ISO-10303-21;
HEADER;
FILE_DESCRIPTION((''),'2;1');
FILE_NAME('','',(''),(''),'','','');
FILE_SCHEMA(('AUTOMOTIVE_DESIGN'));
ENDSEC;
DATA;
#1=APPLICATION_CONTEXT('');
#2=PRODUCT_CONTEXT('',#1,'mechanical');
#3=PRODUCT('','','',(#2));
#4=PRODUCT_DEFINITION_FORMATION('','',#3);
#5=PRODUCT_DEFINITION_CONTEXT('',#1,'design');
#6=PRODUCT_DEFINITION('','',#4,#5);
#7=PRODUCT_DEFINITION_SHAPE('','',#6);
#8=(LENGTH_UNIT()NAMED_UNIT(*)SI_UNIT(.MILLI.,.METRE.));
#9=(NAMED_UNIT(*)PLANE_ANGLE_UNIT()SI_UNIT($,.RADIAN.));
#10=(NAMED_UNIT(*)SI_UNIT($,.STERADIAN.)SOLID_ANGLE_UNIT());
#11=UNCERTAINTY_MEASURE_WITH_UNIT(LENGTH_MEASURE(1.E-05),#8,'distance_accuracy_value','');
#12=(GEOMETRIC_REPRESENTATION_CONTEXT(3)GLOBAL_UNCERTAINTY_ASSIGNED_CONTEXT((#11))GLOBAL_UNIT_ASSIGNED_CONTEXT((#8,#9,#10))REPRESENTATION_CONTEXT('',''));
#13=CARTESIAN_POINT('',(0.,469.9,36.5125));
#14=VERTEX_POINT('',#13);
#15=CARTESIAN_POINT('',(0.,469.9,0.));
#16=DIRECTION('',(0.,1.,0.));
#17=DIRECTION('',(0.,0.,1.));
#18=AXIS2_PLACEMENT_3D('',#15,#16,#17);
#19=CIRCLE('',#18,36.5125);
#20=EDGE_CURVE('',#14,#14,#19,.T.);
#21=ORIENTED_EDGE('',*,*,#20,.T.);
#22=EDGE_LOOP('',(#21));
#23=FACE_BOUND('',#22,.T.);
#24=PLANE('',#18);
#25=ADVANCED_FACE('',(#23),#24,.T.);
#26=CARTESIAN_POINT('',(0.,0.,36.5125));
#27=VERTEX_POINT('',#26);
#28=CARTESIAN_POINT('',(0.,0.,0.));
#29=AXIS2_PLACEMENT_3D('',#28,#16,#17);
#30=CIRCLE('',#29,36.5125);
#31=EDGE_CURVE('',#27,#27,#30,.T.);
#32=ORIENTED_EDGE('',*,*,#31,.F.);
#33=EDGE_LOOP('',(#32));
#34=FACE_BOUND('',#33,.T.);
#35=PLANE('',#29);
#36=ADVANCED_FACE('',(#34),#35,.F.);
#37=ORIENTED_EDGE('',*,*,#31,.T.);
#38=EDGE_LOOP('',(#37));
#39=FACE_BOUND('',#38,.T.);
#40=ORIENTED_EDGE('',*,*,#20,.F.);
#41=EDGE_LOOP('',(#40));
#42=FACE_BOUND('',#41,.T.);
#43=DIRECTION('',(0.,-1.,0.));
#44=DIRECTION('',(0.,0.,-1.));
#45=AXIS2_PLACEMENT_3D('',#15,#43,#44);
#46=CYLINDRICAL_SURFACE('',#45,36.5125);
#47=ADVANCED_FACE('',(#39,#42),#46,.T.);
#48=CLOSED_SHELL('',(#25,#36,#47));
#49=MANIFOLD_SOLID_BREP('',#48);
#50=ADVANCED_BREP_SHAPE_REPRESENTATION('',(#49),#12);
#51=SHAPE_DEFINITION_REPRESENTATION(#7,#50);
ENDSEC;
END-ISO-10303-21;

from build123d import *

# Parameters (mm, degrees)
SKETCH1_R           = 36.5125
BOSS_EXTRUDE1_DEPTH = 469.9


with BuildPart() as part:
    # Sketch1 → Boss-Extrude1 (new body)
    with BuildSketch(Plane(origin=(0, 0, 0), x_dir=(1, 0, 0), z_dir=(0, 1, 0))):
        Circle(SKETCH1_R)
    extrude(amount=BOSS_EXTRUDE1_DEPTH)


solid = part.part
